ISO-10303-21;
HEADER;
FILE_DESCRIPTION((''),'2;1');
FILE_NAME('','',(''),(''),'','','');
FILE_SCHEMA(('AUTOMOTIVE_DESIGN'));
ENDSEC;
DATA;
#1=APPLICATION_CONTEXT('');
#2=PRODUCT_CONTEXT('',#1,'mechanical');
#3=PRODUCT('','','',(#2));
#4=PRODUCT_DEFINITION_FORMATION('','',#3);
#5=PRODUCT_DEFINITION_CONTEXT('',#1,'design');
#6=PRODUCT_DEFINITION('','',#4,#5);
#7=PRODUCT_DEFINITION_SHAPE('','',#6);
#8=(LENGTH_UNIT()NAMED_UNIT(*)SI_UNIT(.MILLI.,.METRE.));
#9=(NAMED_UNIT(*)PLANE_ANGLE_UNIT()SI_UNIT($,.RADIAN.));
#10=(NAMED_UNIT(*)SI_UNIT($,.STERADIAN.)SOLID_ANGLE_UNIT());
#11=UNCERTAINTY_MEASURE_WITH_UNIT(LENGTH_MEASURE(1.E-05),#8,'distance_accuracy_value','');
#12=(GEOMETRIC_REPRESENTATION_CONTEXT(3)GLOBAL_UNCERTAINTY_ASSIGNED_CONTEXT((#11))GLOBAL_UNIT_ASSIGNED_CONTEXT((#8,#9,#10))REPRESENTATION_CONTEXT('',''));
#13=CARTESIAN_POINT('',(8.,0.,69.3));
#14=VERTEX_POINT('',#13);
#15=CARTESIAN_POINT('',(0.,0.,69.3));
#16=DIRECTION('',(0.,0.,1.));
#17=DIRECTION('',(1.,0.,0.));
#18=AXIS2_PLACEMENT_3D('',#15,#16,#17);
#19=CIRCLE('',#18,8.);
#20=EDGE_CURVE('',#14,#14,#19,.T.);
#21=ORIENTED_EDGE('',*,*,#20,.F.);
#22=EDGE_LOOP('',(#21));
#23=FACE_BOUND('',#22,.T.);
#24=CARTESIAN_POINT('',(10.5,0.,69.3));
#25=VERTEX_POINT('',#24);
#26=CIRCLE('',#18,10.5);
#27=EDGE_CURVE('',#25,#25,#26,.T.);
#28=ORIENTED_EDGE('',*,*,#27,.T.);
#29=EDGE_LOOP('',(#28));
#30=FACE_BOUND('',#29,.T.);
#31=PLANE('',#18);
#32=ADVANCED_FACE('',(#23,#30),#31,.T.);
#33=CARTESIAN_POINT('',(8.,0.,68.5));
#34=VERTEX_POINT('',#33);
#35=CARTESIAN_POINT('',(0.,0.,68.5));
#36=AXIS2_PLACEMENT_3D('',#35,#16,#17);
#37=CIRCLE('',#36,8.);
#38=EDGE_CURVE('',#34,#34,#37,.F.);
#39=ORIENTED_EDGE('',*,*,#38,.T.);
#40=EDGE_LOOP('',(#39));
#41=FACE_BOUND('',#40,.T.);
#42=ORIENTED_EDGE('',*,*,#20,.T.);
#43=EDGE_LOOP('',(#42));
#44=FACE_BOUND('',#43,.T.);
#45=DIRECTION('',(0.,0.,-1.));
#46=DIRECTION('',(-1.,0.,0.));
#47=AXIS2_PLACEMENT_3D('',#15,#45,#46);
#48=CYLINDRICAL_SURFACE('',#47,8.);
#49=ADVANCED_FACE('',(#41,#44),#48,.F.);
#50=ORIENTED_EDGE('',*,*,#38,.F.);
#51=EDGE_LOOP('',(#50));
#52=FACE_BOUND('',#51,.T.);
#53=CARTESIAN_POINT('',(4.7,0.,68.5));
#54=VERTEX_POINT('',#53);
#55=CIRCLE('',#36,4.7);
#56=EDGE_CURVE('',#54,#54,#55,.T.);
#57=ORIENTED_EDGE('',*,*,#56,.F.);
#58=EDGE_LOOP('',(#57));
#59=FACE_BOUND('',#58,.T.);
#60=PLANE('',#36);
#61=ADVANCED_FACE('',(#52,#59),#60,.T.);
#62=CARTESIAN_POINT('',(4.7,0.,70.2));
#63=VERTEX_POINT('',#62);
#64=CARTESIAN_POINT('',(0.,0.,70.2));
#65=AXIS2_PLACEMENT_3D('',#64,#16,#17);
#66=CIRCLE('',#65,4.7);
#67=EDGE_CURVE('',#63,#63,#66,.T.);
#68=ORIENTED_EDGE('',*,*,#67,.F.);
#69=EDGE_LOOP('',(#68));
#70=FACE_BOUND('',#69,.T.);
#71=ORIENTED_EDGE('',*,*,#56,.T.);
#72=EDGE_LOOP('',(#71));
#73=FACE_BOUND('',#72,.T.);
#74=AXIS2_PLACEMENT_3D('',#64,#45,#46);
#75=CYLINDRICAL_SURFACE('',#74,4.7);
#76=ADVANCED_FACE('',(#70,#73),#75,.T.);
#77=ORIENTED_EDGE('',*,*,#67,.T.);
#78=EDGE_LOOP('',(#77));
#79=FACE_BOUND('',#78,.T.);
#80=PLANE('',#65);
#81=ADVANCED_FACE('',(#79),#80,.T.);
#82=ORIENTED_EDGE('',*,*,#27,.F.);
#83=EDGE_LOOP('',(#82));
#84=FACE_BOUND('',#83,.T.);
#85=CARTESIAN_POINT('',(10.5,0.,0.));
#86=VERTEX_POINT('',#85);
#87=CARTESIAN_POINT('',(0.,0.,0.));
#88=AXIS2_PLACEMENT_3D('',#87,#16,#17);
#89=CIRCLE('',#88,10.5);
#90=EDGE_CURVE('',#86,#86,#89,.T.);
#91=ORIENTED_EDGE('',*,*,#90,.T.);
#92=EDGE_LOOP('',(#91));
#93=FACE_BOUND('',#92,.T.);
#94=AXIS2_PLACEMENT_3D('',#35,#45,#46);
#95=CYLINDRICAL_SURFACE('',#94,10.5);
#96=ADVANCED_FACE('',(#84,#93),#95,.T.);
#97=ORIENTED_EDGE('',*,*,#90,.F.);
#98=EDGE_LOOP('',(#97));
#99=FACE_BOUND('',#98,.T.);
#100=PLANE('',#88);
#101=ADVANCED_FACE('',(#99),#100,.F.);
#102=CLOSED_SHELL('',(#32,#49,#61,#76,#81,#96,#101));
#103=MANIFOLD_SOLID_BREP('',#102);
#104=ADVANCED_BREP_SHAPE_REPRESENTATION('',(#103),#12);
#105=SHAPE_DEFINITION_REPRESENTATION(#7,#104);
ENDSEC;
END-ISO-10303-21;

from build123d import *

# Parameters (mm, degrees)
SKETCH1_R           = 10.5
BOSS_EXTRUDE1_DEPTH = 68.50000016
SKETCH2_R           = 4.7
BOSS_EXTRUDE2_DEPTH = 1.7
SKETCH3_R           = 10.5
SKETCH3_R_2         = 8
BOSS_EXTRUDE3_DEPTH = 0.8


with BuildPart() as part:
    # Sketch1 → Boss-Extrude1 (new body)
    with BuildSketch(Plane.XY):
        Circle(SKETCH1_R)
    extrude(amount=BOSS_EXTRUDE1_DEPTH)

    # Sketch2 → Boss-Extrude2 (add)
    with BuildSketch(Plane.XY.offset(68.50000016)):
        Circle(SKETCH2_R)
    extrude(amount=BOSS_EXTRUDE2_DEPTH)

    # Sketch3 → Boss-Extrude3 (add)
    with BuildSketch(Plane.XY.offset(68.50000016)):
        Circle(SKETCH3_R)
        Circle(SKETCH3_R_2, mode=Mode.SUBTRACT)
    extrude(amount=BOSS_EXTRUDE3_DEPTH)


solid = part.part
